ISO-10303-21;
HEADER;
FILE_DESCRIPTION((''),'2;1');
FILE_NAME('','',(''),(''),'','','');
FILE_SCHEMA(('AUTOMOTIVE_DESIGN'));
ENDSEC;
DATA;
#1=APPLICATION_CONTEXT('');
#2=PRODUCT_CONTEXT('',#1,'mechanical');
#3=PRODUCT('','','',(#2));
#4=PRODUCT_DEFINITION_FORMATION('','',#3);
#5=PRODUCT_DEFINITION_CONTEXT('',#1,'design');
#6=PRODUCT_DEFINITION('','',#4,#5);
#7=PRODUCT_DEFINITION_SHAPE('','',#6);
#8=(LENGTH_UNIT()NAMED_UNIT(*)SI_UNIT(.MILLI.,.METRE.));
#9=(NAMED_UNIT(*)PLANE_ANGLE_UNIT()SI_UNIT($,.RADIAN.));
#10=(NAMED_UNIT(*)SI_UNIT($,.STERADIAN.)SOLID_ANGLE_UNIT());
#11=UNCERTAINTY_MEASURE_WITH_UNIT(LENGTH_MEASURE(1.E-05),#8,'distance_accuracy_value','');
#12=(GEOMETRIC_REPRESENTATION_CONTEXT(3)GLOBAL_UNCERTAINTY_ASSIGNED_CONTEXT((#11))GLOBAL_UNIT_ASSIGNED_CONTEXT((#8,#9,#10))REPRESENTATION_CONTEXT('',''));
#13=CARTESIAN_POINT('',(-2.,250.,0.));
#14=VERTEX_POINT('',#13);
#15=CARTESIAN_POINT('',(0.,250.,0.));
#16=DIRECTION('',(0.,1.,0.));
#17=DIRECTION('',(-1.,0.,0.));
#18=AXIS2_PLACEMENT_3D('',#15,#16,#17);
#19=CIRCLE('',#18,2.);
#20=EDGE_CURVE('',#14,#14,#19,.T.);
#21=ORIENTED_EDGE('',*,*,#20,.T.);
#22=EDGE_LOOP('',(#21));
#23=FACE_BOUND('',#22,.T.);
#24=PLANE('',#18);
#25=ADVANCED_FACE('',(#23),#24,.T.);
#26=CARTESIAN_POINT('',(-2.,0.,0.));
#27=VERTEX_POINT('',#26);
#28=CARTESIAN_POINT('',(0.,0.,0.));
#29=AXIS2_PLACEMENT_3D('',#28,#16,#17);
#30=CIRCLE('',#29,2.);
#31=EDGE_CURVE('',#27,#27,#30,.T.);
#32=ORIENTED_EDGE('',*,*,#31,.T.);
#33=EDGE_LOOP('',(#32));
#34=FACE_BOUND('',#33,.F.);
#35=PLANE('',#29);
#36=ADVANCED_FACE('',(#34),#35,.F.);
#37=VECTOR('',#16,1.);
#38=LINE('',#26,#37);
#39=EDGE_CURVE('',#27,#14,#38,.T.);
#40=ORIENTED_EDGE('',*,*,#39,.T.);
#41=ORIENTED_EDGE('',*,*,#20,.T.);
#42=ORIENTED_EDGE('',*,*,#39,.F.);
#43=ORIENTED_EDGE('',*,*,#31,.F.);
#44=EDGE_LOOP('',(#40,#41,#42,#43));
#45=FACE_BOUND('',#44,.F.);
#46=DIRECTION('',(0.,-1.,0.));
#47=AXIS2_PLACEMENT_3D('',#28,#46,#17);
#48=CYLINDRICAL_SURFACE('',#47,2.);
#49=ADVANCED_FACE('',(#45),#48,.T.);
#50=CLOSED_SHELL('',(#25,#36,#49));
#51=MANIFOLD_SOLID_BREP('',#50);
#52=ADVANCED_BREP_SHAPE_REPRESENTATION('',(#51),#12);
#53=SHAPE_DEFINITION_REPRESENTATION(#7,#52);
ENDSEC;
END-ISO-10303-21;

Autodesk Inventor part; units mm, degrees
ref_plane "YZ Plane" through (0, 0, 0) normal (1, 0, 0) x (0, 1, 0)
ref_plane "XZ Plane" through (0, 0, 0) normal (0, 1, 0) x (-1, 0, 0)
ref_plane "XY Plane" through (0, 0, 0) normal (0, 0, 1) x (1, 0, 0)
sketch "Sketch1" plane through (0, 0, 0) normal (0, 1, 0) x (-1, 0, 0)
  circle A0 centre (0, 0) radius 2
  dimension "d0" = 4
extrude "Extrusion1" add sketch "Sketch1" along normal blind 250
thread "Thread1" size "M4x0.7" class "6g" standard "ANSI Metric M Profile" full length
properties part number "m4-rod-500mm"
